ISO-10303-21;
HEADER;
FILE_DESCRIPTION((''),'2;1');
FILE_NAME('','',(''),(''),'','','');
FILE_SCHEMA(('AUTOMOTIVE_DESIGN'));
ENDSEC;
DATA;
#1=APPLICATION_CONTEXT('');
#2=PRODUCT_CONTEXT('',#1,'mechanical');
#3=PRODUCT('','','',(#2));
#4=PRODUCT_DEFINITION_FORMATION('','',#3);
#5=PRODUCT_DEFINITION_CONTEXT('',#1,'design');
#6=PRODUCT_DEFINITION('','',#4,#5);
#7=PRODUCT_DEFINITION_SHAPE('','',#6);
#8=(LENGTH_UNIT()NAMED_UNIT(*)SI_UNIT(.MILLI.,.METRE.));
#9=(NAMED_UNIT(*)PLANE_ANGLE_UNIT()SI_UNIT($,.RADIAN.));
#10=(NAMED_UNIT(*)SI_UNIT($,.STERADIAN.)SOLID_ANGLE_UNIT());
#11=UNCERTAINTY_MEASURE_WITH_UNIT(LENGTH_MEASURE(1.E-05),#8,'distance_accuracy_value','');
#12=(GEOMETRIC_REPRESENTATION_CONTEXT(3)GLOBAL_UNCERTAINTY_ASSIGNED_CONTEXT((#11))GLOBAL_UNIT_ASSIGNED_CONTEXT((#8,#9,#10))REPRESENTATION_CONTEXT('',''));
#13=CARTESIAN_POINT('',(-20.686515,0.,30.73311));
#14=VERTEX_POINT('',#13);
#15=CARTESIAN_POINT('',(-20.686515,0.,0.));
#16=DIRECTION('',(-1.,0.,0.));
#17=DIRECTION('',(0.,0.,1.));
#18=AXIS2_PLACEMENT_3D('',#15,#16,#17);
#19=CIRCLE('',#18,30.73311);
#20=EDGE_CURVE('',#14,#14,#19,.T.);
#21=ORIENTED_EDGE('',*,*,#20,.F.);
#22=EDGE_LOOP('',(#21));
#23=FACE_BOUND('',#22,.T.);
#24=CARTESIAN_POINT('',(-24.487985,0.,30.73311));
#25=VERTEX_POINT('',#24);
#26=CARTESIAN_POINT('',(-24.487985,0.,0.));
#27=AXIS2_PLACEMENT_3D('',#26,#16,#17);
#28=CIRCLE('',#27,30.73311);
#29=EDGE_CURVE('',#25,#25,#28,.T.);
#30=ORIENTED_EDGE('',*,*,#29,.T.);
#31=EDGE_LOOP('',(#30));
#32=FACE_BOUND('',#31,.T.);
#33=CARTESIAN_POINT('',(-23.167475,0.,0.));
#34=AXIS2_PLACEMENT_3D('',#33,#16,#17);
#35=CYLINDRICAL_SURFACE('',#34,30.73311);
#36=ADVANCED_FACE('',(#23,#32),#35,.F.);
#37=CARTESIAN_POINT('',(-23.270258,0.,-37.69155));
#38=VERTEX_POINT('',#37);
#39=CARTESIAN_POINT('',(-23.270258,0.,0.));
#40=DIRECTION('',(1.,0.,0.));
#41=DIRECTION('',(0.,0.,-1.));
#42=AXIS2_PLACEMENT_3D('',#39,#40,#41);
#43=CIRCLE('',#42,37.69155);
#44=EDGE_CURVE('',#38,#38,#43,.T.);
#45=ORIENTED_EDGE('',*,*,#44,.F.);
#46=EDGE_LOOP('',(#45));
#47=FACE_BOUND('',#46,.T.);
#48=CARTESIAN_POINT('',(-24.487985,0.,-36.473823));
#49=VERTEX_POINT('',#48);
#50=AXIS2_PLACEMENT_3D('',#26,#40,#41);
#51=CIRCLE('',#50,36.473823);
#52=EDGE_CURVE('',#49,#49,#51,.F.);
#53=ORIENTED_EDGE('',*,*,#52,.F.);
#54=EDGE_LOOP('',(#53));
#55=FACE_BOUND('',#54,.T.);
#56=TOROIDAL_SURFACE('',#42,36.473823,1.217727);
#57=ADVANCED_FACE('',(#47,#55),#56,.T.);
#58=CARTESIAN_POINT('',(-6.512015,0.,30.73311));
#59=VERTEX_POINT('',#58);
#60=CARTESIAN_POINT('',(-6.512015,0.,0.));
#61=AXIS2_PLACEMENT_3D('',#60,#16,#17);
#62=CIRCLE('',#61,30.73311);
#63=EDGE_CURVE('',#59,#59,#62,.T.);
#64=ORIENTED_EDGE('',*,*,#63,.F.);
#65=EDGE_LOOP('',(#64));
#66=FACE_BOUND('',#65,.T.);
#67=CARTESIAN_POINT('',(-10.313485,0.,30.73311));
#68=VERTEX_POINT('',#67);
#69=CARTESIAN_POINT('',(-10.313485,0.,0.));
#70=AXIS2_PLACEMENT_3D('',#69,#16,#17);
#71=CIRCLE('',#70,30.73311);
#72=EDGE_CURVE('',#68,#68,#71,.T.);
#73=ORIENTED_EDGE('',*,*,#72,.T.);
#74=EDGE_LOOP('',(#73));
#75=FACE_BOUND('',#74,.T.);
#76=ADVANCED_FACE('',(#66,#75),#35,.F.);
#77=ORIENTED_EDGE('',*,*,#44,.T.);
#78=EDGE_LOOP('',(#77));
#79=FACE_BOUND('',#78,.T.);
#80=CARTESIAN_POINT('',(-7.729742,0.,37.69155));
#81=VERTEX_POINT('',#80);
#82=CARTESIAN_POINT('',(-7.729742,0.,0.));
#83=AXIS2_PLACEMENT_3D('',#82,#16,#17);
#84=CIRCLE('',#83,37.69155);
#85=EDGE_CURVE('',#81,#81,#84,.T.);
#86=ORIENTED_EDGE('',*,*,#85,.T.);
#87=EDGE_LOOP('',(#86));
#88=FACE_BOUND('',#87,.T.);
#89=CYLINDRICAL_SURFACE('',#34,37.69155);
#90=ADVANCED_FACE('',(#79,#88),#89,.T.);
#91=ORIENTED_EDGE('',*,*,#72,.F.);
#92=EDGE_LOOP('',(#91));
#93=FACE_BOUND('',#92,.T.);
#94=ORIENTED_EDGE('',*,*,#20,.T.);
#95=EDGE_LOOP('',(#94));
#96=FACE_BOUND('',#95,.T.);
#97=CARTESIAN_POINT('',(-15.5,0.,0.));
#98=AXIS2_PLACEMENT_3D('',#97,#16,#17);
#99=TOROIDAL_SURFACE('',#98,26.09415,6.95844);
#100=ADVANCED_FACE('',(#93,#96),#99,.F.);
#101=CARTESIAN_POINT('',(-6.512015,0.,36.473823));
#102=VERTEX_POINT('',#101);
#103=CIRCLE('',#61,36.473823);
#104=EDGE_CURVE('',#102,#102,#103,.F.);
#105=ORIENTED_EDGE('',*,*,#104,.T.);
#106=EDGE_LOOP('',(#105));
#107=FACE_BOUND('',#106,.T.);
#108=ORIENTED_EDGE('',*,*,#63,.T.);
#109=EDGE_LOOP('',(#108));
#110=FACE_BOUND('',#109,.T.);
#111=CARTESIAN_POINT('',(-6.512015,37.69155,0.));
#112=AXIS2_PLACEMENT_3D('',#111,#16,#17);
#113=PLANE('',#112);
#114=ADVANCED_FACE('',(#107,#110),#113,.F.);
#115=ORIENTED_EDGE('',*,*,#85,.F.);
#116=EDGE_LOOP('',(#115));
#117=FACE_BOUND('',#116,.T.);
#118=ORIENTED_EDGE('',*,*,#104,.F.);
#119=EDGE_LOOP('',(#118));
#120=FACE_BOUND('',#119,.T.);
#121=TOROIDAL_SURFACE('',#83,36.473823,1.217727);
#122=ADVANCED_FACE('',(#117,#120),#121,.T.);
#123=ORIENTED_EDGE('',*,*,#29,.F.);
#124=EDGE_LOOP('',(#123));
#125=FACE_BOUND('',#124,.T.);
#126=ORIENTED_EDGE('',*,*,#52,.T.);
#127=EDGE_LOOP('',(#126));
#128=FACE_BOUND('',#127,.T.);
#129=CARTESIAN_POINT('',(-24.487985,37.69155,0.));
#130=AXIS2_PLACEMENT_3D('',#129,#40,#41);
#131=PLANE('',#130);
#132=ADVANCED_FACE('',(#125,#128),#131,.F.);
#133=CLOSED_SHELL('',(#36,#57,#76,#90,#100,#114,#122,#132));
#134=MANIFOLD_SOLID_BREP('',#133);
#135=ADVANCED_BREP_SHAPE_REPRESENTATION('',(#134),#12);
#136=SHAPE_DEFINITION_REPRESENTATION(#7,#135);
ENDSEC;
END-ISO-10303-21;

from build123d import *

# Parameters (mm, degrees)
FILLET1_R    = 2.1
SCALE1_SCALE = 0.2
SCALE2_SCALE = 1.9329
SCALE3_SCALE = 1.5


with BuildPart() as part:
    # Sketch1 → Revolve1 (revolve)
    with BuildSketch(Plane.XY, mode=Mode.PRIVATE) as revolve1_sk:
        with BuildLine():
            Line((-31, 65), (0, 65))
            Line((0, 65), (0, 53))
            Line((0, 53), (-6.55572809, 53))
            ThreePointArc((-6.55572809, 53), (-15.5, 57), (-24.44427191, 53))
            Line((-24.44427191, 53), (-31, 53))
            Line((-31, 53), (-31, 65))
        make_face()
    revolve(revolve1_sk.sketch.rotate(Axis((-28.722748815, 0, 0), (1, 0, 0)), 90), axis=Axis((-28.722748815, 0, 0), (1, 0, 0)))

    # Fillet1
    fillet1_edges = [part.edges().sort_by_distance(p)[0] for p in [
        (-31, 0, -65),
        (0, 0, -65),
    ]]
    fillet(fillet1_edges, radius=FILLET1_R)


with BuildPart() as part_1:
    # Scale1: scaled about (-15.5, 0, 0)
    add(part.part.scale(SCALE1_SCALE).moved(Location((-12.4, 0, 0))))


with BuildPart() as part_2:
    # Scale2: scaled about (-15.5, 0, 0)
    add(part_1.part.scale(SCALE2_SCALE).moved(Location((14.45995, 0, 0))))


with BuildPart() as part_3:
    # Scale3: scaled about (-15.5, 0, 0)
    add(part_2.part.scale(SCALE3_SCALE).moved(Location((7.75, 0, 0))))


solid = part_3.part
